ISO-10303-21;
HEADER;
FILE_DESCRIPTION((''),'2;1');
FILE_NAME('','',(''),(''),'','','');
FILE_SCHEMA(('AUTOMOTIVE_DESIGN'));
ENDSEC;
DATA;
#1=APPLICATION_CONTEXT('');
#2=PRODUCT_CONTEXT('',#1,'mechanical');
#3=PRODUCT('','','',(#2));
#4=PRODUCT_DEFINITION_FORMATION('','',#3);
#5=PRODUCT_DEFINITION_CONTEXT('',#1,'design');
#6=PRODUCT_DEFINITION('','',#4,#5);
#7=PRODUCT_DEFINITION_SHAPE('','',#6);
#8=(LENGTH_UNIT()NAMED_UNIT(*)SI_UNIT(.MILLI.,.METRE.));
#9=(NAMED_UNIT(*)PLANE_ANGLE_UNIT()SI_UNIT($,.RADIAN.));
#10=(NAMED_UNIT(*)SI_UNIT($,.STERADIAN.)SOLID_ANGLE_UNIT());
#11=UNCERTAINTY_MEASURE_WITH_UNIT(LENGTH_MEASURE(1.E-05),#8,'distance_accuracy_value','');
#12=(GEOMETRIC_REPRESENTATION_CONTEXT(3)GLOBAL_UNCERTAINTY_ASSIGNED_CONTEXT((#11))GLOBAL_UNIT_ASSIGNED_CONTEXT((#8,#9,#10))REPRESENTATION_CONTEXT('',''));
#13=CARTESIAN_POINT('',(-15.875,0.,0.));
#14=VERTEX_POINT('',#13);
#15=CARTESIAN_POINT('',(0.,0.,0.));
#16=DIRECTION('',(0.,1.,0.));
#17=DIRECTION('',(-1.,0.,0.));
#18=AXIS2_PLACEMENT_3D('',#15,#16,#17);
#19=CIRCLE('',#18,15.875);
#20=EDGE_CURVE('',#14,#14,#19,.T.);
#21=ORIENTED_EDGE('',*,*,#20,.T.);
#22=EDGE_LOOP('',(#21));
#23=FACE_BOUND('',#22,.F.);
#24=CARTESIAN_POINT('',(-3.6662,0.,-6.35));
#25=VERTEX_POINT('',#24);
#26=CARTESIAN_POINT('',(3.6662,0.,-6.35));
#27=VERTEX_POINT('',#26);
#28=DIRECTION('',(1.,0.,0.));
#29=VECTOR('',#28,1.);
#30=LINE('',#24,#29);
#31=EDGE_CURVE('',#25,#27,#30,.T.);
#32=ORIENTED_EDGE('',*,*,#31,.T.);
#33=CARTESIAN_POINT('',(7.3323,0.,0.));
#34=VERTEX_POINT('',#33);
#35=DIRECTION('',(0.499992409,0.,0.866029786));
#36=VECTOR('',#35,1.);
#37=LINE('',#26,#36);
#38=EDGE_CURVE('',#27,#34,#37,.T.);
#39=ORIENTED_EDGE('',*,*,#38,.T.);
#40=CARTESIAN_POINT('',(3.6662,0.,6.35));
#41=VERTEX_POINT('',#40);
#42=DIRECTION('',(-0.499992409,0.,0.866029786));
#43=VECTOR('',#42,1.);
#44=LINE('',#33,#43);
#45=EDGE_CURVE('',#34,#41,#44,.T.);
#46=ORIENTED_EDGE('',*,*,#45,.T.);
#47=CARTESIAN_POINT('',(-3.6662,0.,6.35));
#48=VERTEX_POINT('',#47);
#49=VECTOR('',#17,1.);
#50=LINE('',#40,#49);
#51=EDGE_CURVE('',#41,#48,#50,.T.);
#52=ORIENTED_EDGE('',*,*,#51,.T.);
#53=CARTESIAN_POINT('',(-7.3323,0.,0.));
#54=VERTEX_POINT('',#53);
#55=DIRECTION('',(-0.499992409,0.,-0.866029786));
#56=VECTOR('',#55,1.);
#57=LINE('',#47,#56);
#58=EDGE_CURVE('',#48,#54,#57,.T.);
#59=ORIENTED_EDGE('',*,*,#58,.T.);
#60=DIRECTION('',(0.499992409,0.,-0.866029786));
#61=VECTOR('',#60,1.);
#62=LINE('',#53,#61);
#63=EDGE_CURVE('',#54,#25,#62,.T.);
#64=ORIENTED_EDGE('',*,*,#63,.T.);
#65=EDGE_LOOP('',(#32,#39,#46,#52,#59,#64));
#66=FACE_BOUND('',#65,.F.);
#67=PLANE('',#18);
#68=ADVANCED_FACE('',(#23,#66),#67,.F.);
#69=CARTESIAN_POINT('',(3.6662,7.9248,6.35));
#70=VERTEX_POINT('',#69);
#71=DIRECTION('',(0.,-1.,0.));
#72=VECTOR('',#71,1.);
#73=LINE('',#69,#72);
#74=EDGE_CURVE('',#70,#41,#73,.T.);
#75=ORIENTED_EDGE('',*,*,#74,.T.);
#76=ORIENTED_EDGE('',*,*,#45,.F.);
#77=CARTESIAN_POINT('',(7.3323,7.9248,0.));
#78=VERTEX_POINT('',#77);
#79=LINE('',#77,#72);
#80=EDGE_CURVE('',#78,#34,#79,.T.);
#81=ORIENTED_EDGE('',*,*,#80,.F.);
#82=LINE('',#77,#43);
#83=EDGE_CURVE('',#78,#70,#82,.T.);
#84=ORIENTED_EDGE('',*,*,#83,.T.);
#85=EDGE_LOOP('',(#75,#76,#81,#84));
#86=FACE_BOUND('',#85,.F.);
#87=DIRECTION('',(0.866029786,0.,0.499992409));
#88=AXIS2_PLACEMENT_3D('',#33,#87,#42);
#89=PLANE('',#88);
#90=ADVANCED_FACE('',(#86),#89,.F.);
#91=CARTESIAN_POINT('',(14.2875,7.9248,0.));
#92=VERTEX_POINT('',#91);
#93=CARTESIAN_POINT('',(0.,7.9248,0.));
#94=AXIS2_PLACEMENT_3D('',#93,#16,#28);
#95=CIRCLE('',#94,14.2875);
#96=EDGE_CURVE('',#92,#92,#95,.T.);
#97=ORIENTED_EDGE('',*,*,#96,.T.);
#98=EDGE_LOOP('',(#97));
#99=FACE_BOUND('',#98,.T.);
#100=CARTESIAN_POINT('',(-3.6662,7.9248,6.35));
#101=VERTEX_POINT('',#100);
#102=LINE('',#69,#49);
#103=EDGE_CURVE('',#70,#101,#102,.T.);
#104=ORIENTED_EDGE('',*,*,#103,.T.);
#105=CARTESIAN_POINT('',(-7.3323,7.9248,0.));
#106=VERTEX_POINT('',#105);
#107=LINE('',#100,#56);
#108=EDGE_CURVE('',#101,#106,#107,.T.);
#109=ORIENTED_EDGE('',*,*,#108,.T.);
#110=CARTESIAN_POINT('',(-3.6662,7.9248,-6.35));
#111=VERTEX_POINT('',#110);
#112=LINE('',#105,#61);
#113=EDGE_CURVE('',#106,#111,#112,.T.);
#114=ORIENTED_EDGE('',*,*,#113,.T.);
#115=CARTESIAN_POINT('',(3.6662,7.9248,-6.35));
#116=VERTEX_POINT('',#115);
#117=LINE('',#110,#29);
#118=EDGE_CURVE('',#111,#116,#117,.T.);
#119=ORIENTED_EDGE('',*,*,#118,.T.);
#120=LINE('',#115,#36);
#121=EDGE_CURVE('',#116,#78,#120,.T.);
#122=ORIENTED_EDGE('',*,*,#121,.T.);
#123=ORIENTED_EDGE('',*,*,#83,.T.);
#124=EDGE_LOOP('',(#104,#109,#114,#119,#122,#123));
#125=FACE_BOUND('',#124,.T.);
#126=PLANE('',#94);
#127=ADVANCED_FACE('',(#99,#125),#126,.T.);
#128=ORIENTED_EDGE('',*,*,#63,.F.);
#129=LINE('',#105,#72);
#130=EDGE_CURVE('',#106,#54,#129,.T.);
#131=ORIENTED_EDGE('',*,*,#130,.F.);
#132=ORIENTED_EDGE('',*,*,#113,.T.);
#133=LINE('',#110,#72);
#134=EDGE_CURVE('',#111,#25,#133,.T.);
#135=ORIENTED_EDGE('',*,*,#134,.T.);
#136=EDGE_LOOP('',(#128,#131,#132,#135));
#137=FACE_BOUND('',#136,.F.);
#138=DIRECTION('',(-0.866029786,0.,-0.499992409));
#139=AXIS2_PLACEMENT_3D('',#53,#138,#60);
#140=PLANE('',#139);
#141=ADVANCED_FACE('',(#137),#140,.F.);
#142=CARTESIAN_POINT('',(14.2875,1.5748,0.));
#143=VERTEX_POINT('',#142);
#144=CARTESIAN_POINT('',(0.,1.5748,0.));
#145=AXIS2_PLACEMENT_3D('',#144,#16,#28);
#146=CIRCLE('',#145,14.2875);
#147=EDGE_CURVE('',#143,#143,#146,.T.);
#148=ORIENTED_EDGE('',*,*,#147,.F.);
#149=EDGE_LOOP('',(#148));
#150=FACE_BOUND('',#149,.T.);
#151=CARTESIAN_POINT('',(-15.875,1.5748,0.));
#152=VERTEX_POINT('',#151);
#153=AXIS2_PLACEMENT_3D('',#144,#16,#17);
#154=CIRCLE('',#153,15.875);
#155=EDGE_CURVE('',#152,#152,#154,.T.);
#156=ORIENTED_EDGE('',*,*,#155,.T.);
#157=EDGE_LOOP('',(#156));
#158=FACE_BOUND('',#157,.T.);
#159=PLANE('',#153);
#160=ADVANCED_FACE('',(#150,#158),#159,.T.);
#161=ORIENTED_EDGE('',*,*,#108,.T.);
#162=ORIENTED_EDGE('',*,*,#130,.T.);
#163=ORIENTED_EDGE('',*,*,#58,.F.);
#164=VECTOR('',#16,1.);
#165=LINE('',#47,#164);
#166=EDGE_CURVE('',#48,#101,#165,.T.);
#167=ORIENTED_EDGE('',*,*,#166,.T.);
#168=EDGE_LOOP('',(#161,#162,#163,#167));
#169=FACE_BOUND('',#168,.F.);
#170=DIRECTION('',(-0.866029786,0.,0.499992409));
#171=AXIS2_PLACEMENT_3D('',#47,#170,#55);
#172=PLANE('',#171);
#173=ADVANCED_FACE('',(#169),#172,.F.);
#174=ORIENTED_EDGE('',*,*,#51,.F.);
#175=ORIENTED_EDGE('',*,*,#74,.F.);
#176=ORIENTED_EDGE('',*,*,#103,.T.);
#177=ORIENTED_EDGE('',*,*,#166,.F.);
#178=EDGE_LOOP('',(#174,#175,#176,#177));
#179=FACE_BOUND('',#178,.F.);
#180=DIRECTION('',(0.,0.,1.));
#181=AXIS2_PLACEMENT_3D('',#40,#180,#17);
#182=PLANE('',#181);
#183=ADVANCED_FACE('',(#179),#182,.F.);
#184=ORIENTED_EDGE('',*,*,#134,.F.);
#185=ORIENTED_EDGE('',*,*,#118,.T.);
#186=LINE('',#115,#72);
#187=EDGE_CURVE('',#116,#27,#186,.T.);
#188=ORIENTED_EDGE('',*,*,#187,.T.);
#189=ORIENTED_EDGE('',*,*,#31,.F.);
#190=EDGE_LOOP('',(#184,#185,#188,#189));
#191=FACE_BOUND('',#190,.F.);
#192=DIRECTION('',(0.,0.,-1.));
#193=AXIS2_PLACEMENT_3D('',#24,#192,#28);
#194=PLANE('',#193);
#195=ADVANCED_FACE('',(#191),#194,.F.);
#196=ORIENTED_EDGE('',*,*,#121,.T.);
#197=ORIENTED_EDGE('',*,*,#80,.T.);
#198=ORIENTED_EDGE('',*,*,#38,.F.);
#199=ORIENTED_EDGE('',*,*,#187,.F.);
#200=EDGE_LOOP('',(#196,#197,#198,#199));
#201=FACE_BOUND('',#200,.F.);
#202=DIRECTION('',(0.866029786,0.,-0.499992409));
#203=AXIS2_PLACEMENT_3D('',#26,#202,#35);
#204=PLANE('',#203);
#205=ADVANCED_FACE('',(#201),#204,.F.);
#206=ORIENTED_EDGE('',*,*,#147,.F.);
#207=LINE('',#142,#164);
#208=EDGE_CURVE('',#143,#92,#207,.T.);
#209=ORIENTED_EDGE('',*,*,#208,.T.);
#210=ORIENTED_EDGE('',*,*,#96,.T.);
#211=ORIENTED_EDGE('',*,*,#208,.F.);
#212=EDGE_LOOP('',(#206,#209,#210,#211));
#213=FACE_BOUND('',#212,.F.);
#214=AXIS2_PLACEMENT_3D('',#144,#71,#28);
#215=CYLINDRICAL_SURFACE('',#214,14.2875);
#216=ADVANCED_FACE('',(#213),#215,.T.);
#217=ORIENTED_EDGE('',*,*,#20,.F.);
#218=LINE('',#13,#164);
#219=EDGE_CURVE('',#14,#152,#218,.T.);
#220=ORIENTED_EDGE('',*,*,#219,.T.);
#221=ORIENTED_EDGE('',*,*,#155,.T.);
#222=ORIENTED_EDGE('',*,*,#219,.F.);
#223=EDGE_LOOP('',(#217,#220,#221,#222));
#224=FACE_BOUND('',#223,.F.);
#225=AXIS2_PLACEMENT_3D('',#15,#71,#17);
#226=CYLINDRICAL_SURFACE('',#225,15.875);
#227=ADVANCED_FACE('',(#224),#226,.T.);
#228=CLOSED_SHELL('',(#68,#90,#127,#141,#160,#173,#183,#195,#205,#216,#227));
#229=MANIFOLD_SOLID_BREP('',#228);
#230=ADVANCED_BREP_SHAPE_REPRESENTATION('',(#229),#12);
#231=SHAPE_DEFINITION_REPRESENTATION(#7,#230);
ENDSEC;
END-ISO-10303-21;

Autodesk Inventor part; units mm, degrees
ref_plane "YZ Plane" through (0, 0, 0) normal (1, 0, 0) x (0, 1, 0)
ref_plane "XZ Plane" through (0, 0, 0) normal (0, 1, 0) x (-1, 0, 0)
ref_plane "XY Plane" through (0, 0, 0) normal (0, 0, 1) x (1, 0, 0)
sketch "Sketch1" plane through (0, 0, 0) normal (0, 1, 0) x (-1, 0, 0)
  line L0 (3.6662, 6.35) -> (7.3323, 0)
  line L1 (7.3323, 0) -> (3.6662, -6.35)
  line L2 (3.6662, -6.35) -> (-3.6662, -6.35)
  line L3 (-3.6662, -6.35) -> (-7.3323, 0)
  line L4 (-7.3323, 0) -> (-3.6662, 6.35)
  line L5 (-3.6662, 6.35) -> (3.6662, 6.35)
  circle A0 centre (0, 0) radius 15.875
  dimension "d0" = 12.7
  dimension "d1" = 31.75
extrude "Extrusion1" add sketch "Sketch1" along normal blind 1.5748
sketch "Sketch2" plane through (0, 1.5748, 0) normal (0, 1, 0) x (1, 0, 0)
  line L0 (-7.3323, 0) -> (-3.6662, 6.35) projected
  line L1 (-3.6662, 6.35) -> (3.6662, 6.35) projected
  line L2 (3.6662, 6.35) -> (7.3323, 0) projected
  line L3 (7.3323, 0) -> (3.6662, -6.35) projected
  line L4 (3.6662, -6.35) -> (-3.6662, -6.35) projected
  line L5 (-3.6662, -6.35) -> (-7.3323, 0) projected
  circle A0 centre (0, 0) radius 15.875 projected
  circle A1 centre (0, 0) radius 14.2875
  dimension "d4" = 28.575
extrude "Extrusion2" add sketch "Sketch2" along normal blind 6.35 contours A1
properties part number "500 Bearing"
